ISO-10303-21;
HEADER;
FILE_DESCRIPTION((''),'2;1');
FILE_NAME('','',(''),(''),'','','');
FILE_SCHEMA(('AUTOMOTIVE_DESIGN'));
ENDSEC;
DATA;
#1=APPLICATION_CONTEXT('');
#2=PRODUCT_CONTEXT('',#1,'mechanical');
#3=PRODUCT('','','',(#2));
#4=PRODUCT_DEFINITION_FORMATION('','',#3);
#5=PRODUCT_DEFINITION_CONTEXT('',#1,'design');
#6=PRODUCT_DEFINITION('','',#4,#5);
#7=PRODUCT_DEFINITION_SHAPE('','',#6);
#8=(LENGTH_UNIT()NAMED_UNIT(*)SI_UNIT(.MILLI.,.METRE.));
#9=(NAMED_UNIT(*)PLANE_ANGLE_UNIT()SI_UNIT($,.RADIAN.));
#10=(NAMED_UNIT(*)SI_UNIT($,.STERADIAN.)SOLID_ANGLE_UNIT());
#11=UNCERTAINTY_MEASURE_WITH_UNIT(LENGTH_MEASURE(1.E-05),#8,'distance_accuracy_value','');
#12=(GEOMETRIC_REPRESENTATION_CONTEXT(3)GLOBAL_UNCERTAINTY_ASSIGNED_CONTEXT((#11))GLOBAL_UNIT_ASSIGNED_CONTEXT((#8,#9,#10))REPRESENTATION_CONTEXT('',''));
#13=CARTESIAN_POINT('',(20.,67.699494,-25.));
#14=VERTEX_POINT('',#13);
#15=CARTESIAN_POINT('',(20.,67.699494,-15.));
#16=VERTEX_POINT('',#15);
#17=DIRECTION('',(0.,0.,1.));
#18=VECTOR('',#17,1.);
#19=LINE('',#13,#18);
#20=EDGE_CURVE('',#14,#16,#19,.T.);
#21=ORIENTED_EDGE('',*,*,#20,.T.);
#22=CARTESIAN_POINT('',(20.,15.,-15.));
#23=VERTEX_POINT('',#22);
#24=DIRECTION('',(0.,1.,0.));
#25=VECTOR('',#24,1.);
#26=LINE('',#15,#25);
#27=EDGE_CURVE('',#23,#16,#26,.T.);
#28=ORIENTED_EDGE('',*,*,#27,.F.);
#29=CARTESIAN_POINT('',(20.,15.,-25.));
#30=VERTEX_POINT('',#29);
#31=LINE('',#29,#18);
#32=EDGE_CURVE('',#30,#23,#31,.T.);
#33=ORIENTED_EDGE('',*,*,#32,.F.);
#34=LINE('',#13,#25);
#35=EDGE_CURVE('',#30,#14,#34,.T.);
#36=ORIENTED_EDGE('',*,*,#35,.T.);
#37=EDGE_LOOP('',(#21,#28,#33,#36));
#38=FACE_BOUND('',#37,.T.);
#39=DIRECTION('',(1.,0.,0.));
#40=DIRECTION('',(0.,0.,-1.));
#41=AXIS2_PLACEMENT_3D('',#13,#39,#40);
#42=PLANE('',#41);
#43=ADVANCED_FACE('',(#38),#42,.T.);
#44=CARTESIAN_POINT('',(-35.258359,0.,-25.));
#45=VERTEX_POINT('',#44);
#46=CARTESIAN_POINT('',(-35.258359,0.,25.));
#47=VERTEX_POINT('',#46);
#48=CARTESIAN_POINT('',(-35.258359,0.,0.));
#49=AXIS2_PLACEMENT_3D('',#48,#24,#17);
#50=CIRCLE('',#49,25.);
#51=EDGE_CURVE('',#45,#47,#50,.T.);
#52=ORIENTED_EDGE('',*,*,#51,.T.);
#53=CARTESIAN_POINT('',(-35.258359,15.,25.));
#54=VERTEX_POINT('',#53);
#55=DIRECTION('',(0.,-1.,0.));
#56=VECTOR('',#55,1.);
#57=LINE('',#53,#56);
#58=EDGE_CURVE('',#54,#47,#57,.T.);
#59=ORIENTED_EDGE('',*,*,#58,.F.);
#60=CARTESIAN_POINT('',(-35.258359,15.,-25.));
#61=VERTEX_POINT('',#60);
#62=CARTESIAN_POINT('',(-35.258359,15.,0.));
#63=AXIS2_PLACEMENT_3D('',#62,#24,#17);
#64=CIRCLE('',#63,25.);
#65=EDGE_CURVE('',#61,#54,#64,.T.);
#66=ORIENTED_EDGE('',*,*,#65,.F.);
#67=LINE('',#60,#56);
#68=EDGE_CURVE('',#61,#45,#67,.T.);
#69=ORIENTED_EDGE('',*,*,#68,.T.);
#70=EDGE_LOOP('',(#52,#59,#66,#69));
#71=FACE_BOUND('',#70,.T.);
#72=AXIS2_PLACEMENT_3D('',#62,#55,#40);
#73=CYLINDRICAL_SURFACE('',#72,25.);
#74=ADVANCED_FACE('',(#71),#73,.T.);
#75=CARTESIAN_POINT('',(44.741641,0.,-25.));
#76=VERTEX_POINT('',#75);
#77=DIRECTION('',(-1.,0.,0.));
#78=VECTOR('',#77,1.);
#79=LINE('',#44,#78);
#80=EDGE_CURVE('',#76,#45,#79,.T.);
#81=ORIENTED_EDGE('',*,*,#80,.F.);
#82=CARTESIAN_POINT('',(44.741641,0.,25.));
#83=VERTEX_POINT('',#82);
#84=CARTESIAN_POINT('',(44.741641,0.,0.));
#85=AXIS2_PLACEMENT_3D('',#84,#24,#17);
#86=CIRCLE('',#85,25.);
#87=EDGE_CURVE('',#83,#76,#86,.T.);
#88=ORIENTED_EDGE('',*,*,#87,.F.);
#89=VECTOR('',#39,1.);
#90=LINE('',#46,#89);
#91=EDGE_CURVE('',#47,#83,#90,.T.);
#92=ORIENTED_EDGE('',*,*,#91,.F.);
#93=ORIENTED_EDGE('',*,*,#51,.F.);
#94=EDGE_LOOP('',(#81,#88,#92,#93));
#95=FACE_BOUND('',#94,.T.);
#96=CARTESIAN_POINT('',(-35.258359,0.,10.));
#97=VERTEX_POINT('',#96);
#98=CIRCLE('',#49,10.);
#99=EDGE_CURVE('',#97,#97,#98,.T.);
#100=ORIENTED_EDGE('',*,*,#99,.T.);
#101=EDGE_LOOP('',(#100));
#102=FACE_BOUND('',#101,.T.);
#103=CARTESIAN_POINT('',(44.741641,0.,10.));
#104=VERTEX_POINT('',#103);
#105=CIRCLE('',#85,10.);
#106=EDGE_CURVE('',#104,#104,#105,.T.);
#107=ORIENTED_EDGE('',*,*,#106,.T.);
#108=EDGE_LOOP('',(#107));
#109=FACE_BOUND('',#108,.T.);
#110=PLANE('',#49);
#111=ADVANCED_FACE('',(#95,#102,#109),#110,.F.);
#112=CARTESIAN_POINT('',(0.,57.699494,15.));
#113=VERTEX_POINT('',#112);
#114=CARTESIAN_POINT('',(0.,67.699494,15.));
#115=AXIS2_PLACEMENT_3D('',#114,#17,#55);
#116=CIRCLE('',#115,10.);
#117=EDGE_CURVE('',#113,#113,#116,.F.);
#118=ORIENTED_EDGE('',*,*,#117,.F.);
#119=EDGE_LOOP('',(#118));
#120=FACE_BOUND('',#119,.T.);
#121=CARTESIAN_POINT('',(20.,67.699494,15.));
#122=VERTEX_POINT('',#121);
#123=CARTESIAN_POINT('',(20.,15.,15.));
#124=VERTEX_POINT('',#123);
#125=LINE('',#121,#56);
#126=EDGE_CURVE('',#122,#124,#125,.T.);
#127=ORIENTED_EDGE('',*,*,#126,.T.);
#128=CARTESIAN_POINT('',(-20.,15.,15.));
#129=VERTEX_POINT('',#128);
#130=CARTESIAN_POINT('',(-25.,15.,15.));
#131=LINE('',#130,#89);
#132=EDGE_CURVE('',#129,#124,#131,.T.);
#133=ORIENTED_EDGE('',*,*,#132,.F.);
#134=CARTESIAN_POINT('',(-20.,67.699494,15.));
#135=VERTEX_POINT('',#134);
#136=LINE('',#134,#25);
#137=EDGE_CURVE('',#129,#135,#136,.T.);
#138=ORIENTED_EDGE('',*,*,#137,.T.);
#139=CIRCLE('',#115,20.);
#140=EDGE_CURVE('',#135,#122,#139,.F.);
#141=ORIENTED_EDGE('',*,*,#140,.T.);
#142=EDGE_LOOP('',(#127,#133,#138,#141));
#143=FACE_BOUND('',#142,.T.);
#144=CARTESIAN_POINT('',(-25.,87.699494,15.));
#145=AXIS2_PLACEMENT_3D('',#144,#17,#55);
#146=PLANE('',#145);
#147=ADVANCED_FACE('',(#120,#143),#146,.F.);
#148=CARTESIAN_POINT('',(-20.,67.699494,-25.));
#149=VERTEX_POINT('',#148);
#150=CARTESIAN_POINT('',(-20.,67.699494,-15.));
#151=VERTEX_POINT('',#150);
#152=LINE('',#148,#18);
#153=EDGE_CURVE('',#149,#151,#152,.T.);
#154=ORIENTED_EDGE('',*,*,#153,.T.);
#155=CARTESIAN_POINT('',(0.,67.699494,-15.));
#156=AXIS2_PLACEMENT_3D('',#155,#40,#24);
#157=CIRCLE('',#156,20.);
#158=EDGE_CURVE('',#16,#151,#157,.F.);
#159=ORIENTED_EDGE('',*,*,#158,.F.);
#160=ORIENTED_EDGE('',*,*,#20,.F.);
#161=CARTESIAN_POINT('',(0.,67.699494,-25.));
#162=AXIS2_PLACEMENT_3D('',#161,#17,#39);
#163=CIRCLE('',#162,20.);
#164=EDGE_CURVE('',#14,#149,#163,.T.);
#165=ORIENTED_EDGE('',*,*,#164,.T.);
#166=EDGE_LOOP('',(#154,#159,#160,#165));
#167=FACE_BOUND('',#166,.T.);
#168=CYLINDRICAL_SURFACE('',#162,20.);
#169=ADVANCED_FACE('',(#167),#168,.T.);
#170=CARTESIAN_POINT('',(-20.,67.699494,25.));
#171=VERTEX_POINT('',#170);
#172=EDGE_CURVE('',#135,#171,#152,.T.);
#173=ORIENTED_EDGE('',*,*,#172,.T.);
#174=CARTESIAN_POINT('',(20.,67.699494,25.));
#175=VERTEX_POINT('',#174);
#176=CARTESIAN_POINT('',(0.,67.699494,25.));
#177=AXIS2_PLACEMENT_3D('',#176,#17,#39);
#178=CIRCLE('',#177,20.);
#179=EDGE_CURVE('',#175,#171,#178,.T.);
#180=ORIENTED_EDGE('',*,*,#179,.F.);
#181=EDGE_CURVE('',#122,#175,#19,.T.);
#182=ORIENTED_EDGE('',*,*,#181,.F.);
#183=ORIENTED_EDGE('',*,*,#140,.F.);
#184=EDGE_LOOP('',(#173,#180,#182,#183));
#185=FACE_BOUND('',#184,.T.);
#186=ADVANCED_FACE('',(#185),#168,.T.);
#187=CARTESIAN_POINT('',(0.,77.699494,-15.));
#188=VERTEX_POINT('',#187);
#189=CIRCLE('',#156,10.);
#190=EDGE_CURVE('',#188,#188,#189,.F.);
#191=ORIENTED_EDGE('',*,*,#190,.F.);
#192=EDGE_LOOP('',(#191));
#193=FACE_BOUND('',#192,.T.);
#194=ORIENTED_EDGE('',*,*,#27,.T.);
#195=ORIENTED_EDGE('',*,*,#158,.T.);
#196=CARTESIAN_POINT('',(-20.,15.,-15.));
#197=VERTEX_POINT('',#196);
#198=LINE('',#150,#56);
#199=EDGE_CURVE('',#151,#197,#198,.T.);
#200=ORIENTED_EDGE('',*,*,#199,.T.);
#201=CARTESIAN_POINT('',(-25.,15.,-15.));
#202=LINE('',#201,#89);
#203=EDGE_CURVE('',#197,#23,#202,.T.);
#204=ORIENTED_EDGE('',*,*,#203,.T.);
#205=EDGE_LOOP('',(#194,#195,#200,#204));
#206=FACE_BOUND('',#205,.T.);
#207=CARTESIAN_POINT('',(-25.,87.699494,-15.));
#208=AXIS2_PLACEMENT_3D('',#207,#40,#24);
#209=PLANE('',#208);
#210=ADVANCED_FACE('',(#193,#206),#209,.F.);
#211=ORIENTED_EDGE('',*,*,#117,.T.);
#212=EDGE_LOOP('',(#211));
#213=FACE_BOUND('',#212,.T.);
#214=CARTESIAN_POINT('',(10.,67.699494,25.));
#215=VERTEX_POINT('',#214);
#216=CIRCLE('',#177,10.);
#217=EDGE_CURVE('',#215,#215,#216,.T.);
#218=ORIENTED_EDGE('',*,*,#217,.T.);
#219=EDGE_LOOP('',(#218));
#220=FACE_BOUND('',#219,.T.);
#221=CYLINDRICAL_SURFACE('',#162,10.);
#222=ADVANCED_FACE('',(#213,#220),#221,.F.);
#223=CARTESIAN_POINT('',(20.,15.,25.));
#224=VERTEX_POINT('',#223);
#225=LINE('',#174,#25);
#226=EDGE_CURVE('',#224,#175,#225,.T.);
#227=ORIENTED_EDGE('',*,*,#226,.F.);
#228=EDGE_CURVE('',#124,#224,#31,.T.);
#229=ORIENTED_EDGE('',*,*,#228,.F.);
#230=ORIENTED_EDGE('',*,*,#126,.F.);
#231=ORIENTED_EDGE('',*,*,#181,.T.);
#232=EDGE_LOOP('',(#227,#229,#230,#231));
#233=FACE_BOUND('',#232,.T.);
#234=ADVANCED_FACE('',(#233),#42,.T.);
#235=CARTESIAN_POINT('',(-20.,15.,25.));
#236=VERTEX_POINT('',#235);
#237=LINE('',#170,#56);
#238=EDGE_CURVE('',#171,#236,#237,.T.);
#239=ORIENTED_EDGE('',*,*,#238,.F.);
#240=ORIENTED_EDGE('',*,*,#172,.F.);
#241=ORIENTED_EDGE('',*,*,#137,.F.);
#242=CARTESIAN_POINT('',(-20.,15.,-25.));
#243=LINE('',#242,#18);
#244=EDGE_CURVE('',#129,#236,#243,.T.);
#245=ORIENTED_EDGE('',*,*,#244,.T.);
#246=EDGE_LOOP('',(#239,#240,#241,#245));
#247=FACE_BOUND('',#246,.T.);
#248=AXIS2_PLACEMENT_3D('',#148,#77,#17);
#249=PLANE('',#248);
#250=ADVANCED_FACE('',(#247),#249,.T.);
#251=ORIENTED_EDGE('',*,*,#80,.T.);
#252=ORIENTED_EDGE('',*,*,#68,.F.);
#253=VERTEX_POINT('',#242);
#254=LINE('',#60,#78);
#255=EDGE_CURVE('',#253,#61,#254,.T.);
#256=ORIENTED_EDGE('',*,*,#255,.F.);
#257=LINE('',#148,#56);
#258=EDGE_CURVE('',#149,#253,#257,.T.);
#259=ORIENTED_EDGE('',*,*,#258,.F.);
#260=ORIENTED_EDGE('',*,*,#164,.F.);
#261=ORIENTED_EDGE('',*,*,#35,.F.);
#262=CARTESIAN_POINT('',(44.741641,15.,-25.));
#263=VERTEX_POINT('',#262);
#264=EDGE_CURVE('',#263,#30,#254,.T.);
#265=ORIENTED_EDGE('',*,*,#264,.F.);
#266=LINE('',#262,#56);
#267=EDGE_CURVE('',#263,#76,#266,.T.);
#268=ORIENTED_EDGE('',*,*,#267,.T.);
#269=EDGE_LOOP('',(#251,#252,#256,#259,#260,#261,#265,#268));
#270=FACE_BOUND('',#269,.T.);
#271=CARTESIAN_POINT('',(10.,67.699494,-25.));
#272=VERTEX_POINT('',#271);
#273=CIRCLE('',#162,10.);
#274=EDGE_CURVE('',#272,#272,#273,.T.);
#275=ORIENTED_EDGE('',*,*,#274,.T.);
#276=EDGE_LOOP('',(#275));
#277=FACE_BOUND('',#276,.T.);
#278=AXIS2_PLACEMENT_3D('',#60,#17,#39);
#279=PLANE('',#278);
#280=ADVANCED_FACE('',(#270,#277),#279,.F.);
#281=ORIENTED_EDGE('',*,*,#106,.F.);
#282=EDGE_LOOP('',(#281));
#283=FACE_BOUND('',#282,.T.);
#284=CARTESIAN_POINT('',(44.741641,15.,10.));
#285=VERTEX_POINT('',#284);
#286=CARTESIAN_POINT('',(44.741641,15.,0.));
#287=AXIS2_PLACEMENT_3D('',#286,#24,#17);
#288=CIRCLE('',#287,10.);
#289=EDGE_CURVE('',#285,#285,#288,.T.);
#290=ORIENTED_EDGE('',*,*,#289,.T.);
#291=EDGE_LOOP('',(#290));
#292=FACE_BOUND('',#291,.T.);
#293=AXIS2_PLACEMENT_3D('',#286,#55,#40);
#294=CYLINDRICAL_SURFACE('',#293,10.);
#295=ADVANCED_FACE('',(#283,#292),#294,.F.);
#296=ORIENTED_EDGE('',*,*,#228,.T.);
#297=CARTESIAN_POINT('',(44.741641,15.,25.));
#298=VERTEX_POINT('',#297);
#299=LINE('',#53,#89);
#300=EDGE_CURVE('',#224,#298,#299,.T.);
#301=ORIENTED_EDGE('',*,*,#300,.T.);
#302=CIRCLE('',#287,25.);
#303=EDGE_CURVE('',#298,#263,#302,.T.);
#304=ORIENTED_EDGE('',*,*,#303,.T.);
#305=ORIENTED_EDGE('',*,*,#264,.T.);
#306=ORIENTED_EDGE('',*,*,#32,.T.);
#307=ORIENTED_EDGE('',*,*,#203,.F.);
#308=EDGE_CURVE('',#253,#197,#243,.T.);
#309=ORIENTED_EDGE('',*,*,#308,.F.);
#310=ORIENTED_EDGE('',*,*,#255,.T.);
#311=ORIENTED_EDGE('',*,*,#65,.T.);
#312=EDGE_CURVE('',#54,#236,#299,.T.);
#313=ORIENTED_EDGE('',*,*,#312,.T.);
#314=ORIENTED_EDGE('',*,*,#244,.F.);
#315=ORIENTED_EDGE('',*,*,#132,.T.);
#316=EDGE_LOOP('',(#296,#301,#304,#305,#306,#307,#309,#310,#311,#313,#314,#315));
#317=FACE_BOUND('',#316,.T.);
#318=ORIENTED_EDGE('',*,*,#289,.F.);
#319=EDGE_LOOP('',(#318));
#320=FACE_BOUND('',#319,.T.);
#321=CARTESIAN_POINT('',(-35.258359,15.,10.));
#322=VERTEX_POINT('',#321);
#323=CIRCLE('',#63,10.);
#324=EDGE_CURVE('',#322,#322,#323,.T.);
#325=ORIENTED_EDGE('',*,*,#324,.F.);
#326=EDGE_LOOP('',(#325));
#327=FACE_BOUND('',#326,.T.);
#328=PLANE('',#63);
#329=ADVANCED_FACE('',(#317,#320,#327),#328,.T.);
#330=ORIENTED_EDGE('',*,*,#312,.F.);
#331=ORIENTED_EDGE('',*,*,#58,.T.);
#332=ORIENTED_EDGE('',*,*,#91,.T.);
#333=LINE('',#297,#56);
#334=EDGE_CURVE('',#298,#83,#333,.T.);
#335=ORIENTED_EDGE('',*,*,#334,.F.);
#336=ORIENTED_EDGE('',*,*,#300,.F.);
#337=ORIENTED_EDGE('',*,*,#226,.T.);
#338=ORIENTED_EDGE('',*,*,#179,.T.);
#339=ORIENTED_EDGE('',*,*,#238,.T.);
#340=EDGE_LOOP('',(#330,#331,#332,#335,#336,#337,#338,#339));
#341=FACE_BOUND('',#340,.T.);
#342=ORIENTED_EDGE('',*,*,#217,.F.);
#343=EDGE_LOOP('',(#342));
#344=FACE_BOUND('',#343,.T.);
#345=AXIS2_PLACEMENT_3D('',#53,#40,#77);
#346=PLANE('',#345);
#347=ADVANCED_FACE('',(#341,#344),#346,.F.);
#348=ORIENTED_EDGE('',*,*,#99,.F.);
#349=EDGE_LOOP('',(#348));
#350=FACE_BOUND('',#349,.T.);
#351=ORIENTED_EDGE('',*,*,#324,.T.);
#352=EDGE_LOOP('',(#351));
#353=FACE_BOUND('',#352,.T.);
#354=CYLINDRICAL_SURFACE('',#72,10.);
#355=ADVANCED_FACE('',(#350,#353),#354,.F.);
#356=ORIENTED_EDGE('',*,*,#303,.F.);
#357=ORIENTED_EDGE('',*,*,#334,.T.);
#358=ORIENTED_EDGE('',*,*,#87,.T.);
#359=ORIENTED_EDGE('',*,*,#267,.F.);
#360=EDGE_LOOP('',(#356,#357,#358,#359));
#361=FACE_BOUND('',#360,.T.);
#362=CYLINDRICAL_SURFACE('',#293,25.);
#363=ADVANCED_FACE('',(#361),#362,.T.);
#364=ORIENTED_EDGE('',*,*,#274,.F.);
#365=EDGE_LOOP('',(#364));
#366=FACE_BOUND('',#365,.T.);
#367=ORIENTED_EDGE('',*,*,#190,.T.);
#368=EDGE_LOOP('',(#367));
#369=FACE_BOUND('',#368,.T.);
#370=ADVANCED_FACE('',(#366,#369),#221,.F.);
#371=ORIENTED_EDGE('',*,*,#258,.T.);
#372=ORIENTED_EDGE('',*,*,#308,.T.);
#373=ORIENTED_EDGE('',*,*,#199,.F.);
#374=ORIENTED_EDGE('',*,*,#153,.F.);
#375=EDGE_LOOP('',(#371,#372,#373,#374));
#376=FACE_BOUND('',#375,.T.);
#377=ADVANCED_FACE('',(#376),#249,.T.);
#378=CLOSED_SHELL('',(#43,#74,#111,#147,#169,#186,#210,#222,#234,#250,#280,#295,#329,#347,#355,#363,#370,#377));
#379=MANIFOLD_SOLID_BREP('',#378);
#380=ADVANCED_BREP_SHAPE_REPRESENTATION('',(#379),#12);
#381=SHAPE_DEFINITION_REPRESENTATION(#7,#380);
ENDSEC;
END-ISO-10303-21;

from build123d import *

# Parameters (mm, degrees)
SKETCH2_R           = 10
BOSS_EXTRUDE1_DEPTH = 15
SKETCH4_R           = 10
BOSS_EXTRUDE2_DEPTH = 50
SKETCH5_W           = 30
SKETCH5_H           = 72.699493752
CUT_EXTRUDE1_DEPTH  = 25


with BuildPart() as part:
    # Sketch2 → Boss-Extrude1 (new body)
    with BuildSketch(Plane(origin=(0, 0, 0), x_dir=(1, 0, 0), z_dir=(0, 1, 0))):
        with BuildLine():
            Line((-35.258358851, 25), (44.741641149, 25))
            ThreePointArc((44.741641149, 25), (69.741641149, 0), (44.741641149, -25))
            Line((44.741641149, -25), (-35.258358851, -25))
            ThreePointArc((-35.258358851, -25), (-60.258358851, 0), (-35.258358851, 25))
        make_face()
        with Locations((-35.258358851, 0)):
            Circle(SKETCH2_R, mode=Mode.SUBTRACT)
        with Locations((44.741641149, 0)):
            Circle(SKETCH2_R, mode=Mode.SUBTRACT)
    extrude(amount=BOSS_EXTRUDE1_DEPTH)

    # Sketch4 → Boss-Extrude2 (add)
    with BuildSketch(Plane.XY.offset(25)):
        with BuildLine():
            Line((-20, 67.699493752), (-20, 15))
            Line((-20, 15), (20, 15))
            Line((20, 15), (20, 67.699493752))
            ThreePointArc((20, 67.699493752), (0, 87.699493752), (-20, 67.699493752))
        make_face()
        with Locations((0, 67.699493752)):
            Circle(SKETCH4_R, mode=Mode.SUBTRACT)
    extrude(amount=-BOSS_EXTRUDE2_DEPTH)

    # Sketch5 → Cut-Extrude1 (cut, symmetric)
    with BuildSketch(Plane(origin=(0, 0, 0), x_dir=(0, 0, -1), z_dir=(1, 0, 0))):
        with Locations((0, 51.349746876)):
            Rectangle(SKETCH5_W, SKETCH5_H)
    extrude(amount=CUT_EXTRUDE1_DEPTH, both=True, mode=Mode.SUBTRACT)


solid = part.part
